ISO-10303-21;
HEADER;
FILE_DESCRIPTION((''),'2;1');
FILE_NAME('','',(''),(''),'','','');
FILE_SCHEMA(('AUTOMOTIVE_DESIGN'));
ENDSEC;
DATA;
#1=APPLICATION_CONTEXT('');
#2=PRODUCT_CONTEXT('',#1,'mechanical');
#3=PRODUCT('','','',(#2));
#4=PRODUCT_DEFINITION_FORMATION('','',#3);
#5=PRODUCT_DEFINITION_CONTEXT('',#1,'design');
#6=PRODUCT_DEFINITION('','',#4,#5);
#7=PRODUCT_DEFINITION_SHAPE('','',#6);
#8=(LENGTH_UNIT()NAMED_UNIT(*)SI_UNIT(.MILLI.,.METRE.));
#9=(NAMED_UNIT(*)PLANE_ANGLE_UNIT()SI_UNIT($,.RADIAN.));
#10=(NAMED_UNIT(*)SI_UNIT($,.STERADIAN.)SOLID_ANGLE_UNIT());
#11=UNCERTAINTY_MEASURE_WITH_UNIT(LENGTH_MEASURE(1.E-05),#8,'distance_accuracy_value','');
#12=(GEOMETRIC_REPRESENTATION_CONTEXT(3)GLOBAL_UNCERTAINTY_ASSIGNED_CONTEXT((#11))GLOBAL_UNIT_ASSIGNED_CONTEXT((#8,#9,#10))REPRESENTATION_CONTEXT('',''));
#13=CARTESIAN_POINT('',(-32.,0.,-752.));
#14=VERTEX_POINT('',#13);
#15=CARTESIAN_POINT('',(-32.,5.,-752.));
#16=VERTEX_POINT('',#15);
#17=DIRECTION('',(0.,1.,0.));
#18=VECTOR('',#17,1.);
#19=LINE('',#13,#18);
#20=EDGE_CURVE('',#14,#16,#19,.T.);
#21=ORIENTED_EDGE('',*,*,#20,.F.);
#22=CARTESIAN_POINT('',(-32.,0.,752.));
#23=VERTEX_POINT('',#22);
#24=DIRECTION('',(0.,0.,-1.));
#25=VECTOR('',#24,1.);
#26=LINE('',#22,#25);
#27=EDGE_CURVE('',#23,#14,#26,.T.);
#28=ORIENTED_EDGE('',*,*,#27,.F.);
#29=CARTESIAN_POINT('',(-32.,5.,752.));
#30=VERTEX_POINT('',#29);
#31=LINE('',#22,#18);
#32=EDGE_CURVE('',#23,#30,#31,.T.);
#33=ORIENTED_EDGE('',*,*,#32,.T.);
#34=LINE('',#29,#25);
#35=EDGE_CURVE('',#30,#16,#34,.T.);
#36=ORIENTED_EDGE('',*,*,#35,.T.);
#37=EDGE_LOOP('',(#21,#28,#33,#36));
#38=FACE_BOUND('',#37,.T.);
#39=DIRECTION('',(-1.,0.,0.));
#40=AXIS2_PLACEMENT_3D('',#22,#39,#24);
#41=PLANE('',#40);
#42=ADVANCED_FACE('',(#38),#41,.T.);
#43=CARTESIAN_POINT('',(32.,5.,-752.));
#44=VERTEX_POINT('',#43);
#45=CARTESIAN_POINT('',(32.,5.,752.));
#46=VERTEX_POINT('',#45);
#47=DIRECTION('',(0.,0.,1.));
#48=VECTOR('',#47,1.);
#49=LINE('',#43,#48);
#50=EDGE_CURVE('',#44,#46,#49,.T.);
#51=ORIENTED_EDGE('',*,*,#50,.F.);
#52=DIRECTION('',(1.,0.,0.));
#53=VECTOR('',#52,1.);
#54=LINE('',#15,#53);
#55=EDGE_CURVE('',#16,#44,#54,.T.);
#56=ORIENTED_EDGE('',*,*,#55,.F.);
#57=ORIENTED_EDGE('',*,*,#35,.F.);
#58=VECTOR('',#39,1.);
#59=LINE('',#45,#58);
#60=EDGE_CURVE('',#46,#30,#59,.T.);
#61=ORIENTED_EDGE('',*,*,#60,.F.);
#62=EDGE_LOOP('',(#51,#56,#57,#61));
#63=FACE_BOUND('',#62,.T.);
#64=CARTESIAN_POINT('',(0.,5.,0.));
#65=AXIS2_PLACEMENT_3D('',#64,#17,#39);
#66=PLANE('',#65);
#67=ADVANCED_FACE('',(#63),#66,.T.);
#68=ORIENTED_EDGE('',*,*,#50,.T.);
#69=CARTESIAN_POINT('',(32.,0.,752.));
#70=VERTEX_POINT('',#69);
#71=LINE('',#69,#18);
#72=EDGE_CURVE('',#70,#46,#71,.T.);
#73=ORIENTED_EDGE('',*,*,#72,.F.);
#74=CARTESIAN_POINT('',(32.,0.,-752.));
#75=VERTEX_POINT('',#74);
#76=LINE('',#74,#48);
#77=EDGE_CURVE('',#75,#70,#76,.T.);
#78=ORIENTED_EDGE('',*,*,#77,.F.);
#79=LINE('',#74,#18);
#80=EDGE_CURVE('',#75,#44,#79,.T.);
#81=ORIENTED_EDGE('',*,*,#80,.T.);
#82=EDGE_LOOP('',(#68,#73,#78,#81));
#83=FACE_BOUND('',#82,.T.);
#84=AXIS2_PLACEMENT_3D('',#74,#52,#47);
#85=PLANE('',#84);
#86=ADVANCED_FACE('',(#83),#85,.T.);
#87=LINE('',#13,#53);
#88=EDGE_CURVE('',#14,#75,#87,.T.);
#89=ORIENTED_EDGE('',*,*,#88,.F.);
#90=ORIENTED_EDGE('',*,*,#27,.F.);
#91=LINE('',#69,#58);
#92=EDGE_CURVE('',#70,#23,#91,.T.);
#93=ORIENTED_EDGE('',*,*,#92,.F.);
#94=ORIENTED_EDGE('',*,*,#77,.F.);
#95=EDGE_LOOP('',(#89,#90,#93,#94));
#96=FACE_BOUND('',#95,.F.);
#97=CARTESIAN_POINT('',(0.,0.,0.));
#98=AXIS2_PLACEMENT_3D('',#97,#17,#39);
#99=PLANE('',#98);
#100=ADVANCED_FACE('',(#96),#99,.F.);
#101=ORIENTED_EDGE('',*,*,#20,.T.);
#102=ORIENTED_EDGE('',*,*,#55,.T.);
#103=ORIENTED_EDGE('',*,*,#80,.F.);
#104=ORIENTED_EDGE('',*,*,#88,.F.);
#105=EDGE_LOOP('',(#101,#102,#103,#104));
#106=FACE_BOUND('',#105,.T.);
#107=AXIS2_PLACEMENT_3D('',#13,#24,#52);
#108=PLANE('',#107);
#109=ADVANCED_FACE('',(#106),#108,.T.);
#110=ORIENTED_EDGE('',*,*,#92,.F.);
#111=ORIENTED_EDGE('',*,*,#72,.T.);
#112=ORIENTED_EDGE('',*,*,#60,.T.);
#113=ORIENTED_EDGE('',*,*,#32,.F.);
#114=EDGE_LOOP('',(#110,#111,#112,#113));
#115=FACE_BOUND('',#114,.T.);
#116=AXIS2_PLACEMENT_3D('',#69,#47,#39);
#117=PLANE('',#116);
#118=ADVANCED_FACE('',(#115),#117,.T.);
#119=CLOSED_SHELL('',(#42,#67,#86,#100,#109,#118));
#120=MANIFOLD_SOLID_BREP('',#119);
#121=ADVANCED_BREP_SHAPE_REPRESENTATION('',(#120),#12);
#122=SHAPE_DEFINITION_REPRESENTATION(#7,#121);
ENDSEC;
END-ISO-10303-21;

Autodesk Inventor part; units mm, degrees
ref_plane "YZ Plane" through (0, 0, 0) normal (1, 0, 0) x (0, 1, 0)
ref_plane "XZ Plane" through (0, 0, 0) normal (0, 1, 0) x (-1, 0, 0)
ref_plane "XY Plane" through (0, 0, 0) normal (0, 0, 1) x (1, 0, 0)
sketch "Эскиз1" plane through (0, 0, 0) normal (0, 1, 0) x (-1, 0, 0)
  line L0 (-32, 752) -> (32, 752)
  line L1 (32, 752) -> (32, -752)
  line L2 (32, -752) -> (-32, -752)
  line L3 (-32, -752) -> (-32, 752)
  line L4 (-32, 752) -> (32, -752) construction
  line L5 (32, 752) -> (-32, -752) construction
  point P0 (0, 0)
  dimension "d0" = 64
  dimension "d1" = 1504
extrude "Пластина1" add sketch "Эскиз1" along normal blind 5
equation "\"d2\" = Толщина"
equation "\"Радиус_гибки\" = Толщина"
equation "\"Ширина_просечки\" = Толщина"
equation "\"Глубина_просечки\" = 0.5 * Толщина"
equation "\"Радиус_перехода\" = Радиус_гибки"
equation "\"Радиус_Якоби\" = Радиус_гибки"
equation "\"Размер_зазора\" = Толщина"
equation "\"Толщина\" = 5"
properties part number "0923"
